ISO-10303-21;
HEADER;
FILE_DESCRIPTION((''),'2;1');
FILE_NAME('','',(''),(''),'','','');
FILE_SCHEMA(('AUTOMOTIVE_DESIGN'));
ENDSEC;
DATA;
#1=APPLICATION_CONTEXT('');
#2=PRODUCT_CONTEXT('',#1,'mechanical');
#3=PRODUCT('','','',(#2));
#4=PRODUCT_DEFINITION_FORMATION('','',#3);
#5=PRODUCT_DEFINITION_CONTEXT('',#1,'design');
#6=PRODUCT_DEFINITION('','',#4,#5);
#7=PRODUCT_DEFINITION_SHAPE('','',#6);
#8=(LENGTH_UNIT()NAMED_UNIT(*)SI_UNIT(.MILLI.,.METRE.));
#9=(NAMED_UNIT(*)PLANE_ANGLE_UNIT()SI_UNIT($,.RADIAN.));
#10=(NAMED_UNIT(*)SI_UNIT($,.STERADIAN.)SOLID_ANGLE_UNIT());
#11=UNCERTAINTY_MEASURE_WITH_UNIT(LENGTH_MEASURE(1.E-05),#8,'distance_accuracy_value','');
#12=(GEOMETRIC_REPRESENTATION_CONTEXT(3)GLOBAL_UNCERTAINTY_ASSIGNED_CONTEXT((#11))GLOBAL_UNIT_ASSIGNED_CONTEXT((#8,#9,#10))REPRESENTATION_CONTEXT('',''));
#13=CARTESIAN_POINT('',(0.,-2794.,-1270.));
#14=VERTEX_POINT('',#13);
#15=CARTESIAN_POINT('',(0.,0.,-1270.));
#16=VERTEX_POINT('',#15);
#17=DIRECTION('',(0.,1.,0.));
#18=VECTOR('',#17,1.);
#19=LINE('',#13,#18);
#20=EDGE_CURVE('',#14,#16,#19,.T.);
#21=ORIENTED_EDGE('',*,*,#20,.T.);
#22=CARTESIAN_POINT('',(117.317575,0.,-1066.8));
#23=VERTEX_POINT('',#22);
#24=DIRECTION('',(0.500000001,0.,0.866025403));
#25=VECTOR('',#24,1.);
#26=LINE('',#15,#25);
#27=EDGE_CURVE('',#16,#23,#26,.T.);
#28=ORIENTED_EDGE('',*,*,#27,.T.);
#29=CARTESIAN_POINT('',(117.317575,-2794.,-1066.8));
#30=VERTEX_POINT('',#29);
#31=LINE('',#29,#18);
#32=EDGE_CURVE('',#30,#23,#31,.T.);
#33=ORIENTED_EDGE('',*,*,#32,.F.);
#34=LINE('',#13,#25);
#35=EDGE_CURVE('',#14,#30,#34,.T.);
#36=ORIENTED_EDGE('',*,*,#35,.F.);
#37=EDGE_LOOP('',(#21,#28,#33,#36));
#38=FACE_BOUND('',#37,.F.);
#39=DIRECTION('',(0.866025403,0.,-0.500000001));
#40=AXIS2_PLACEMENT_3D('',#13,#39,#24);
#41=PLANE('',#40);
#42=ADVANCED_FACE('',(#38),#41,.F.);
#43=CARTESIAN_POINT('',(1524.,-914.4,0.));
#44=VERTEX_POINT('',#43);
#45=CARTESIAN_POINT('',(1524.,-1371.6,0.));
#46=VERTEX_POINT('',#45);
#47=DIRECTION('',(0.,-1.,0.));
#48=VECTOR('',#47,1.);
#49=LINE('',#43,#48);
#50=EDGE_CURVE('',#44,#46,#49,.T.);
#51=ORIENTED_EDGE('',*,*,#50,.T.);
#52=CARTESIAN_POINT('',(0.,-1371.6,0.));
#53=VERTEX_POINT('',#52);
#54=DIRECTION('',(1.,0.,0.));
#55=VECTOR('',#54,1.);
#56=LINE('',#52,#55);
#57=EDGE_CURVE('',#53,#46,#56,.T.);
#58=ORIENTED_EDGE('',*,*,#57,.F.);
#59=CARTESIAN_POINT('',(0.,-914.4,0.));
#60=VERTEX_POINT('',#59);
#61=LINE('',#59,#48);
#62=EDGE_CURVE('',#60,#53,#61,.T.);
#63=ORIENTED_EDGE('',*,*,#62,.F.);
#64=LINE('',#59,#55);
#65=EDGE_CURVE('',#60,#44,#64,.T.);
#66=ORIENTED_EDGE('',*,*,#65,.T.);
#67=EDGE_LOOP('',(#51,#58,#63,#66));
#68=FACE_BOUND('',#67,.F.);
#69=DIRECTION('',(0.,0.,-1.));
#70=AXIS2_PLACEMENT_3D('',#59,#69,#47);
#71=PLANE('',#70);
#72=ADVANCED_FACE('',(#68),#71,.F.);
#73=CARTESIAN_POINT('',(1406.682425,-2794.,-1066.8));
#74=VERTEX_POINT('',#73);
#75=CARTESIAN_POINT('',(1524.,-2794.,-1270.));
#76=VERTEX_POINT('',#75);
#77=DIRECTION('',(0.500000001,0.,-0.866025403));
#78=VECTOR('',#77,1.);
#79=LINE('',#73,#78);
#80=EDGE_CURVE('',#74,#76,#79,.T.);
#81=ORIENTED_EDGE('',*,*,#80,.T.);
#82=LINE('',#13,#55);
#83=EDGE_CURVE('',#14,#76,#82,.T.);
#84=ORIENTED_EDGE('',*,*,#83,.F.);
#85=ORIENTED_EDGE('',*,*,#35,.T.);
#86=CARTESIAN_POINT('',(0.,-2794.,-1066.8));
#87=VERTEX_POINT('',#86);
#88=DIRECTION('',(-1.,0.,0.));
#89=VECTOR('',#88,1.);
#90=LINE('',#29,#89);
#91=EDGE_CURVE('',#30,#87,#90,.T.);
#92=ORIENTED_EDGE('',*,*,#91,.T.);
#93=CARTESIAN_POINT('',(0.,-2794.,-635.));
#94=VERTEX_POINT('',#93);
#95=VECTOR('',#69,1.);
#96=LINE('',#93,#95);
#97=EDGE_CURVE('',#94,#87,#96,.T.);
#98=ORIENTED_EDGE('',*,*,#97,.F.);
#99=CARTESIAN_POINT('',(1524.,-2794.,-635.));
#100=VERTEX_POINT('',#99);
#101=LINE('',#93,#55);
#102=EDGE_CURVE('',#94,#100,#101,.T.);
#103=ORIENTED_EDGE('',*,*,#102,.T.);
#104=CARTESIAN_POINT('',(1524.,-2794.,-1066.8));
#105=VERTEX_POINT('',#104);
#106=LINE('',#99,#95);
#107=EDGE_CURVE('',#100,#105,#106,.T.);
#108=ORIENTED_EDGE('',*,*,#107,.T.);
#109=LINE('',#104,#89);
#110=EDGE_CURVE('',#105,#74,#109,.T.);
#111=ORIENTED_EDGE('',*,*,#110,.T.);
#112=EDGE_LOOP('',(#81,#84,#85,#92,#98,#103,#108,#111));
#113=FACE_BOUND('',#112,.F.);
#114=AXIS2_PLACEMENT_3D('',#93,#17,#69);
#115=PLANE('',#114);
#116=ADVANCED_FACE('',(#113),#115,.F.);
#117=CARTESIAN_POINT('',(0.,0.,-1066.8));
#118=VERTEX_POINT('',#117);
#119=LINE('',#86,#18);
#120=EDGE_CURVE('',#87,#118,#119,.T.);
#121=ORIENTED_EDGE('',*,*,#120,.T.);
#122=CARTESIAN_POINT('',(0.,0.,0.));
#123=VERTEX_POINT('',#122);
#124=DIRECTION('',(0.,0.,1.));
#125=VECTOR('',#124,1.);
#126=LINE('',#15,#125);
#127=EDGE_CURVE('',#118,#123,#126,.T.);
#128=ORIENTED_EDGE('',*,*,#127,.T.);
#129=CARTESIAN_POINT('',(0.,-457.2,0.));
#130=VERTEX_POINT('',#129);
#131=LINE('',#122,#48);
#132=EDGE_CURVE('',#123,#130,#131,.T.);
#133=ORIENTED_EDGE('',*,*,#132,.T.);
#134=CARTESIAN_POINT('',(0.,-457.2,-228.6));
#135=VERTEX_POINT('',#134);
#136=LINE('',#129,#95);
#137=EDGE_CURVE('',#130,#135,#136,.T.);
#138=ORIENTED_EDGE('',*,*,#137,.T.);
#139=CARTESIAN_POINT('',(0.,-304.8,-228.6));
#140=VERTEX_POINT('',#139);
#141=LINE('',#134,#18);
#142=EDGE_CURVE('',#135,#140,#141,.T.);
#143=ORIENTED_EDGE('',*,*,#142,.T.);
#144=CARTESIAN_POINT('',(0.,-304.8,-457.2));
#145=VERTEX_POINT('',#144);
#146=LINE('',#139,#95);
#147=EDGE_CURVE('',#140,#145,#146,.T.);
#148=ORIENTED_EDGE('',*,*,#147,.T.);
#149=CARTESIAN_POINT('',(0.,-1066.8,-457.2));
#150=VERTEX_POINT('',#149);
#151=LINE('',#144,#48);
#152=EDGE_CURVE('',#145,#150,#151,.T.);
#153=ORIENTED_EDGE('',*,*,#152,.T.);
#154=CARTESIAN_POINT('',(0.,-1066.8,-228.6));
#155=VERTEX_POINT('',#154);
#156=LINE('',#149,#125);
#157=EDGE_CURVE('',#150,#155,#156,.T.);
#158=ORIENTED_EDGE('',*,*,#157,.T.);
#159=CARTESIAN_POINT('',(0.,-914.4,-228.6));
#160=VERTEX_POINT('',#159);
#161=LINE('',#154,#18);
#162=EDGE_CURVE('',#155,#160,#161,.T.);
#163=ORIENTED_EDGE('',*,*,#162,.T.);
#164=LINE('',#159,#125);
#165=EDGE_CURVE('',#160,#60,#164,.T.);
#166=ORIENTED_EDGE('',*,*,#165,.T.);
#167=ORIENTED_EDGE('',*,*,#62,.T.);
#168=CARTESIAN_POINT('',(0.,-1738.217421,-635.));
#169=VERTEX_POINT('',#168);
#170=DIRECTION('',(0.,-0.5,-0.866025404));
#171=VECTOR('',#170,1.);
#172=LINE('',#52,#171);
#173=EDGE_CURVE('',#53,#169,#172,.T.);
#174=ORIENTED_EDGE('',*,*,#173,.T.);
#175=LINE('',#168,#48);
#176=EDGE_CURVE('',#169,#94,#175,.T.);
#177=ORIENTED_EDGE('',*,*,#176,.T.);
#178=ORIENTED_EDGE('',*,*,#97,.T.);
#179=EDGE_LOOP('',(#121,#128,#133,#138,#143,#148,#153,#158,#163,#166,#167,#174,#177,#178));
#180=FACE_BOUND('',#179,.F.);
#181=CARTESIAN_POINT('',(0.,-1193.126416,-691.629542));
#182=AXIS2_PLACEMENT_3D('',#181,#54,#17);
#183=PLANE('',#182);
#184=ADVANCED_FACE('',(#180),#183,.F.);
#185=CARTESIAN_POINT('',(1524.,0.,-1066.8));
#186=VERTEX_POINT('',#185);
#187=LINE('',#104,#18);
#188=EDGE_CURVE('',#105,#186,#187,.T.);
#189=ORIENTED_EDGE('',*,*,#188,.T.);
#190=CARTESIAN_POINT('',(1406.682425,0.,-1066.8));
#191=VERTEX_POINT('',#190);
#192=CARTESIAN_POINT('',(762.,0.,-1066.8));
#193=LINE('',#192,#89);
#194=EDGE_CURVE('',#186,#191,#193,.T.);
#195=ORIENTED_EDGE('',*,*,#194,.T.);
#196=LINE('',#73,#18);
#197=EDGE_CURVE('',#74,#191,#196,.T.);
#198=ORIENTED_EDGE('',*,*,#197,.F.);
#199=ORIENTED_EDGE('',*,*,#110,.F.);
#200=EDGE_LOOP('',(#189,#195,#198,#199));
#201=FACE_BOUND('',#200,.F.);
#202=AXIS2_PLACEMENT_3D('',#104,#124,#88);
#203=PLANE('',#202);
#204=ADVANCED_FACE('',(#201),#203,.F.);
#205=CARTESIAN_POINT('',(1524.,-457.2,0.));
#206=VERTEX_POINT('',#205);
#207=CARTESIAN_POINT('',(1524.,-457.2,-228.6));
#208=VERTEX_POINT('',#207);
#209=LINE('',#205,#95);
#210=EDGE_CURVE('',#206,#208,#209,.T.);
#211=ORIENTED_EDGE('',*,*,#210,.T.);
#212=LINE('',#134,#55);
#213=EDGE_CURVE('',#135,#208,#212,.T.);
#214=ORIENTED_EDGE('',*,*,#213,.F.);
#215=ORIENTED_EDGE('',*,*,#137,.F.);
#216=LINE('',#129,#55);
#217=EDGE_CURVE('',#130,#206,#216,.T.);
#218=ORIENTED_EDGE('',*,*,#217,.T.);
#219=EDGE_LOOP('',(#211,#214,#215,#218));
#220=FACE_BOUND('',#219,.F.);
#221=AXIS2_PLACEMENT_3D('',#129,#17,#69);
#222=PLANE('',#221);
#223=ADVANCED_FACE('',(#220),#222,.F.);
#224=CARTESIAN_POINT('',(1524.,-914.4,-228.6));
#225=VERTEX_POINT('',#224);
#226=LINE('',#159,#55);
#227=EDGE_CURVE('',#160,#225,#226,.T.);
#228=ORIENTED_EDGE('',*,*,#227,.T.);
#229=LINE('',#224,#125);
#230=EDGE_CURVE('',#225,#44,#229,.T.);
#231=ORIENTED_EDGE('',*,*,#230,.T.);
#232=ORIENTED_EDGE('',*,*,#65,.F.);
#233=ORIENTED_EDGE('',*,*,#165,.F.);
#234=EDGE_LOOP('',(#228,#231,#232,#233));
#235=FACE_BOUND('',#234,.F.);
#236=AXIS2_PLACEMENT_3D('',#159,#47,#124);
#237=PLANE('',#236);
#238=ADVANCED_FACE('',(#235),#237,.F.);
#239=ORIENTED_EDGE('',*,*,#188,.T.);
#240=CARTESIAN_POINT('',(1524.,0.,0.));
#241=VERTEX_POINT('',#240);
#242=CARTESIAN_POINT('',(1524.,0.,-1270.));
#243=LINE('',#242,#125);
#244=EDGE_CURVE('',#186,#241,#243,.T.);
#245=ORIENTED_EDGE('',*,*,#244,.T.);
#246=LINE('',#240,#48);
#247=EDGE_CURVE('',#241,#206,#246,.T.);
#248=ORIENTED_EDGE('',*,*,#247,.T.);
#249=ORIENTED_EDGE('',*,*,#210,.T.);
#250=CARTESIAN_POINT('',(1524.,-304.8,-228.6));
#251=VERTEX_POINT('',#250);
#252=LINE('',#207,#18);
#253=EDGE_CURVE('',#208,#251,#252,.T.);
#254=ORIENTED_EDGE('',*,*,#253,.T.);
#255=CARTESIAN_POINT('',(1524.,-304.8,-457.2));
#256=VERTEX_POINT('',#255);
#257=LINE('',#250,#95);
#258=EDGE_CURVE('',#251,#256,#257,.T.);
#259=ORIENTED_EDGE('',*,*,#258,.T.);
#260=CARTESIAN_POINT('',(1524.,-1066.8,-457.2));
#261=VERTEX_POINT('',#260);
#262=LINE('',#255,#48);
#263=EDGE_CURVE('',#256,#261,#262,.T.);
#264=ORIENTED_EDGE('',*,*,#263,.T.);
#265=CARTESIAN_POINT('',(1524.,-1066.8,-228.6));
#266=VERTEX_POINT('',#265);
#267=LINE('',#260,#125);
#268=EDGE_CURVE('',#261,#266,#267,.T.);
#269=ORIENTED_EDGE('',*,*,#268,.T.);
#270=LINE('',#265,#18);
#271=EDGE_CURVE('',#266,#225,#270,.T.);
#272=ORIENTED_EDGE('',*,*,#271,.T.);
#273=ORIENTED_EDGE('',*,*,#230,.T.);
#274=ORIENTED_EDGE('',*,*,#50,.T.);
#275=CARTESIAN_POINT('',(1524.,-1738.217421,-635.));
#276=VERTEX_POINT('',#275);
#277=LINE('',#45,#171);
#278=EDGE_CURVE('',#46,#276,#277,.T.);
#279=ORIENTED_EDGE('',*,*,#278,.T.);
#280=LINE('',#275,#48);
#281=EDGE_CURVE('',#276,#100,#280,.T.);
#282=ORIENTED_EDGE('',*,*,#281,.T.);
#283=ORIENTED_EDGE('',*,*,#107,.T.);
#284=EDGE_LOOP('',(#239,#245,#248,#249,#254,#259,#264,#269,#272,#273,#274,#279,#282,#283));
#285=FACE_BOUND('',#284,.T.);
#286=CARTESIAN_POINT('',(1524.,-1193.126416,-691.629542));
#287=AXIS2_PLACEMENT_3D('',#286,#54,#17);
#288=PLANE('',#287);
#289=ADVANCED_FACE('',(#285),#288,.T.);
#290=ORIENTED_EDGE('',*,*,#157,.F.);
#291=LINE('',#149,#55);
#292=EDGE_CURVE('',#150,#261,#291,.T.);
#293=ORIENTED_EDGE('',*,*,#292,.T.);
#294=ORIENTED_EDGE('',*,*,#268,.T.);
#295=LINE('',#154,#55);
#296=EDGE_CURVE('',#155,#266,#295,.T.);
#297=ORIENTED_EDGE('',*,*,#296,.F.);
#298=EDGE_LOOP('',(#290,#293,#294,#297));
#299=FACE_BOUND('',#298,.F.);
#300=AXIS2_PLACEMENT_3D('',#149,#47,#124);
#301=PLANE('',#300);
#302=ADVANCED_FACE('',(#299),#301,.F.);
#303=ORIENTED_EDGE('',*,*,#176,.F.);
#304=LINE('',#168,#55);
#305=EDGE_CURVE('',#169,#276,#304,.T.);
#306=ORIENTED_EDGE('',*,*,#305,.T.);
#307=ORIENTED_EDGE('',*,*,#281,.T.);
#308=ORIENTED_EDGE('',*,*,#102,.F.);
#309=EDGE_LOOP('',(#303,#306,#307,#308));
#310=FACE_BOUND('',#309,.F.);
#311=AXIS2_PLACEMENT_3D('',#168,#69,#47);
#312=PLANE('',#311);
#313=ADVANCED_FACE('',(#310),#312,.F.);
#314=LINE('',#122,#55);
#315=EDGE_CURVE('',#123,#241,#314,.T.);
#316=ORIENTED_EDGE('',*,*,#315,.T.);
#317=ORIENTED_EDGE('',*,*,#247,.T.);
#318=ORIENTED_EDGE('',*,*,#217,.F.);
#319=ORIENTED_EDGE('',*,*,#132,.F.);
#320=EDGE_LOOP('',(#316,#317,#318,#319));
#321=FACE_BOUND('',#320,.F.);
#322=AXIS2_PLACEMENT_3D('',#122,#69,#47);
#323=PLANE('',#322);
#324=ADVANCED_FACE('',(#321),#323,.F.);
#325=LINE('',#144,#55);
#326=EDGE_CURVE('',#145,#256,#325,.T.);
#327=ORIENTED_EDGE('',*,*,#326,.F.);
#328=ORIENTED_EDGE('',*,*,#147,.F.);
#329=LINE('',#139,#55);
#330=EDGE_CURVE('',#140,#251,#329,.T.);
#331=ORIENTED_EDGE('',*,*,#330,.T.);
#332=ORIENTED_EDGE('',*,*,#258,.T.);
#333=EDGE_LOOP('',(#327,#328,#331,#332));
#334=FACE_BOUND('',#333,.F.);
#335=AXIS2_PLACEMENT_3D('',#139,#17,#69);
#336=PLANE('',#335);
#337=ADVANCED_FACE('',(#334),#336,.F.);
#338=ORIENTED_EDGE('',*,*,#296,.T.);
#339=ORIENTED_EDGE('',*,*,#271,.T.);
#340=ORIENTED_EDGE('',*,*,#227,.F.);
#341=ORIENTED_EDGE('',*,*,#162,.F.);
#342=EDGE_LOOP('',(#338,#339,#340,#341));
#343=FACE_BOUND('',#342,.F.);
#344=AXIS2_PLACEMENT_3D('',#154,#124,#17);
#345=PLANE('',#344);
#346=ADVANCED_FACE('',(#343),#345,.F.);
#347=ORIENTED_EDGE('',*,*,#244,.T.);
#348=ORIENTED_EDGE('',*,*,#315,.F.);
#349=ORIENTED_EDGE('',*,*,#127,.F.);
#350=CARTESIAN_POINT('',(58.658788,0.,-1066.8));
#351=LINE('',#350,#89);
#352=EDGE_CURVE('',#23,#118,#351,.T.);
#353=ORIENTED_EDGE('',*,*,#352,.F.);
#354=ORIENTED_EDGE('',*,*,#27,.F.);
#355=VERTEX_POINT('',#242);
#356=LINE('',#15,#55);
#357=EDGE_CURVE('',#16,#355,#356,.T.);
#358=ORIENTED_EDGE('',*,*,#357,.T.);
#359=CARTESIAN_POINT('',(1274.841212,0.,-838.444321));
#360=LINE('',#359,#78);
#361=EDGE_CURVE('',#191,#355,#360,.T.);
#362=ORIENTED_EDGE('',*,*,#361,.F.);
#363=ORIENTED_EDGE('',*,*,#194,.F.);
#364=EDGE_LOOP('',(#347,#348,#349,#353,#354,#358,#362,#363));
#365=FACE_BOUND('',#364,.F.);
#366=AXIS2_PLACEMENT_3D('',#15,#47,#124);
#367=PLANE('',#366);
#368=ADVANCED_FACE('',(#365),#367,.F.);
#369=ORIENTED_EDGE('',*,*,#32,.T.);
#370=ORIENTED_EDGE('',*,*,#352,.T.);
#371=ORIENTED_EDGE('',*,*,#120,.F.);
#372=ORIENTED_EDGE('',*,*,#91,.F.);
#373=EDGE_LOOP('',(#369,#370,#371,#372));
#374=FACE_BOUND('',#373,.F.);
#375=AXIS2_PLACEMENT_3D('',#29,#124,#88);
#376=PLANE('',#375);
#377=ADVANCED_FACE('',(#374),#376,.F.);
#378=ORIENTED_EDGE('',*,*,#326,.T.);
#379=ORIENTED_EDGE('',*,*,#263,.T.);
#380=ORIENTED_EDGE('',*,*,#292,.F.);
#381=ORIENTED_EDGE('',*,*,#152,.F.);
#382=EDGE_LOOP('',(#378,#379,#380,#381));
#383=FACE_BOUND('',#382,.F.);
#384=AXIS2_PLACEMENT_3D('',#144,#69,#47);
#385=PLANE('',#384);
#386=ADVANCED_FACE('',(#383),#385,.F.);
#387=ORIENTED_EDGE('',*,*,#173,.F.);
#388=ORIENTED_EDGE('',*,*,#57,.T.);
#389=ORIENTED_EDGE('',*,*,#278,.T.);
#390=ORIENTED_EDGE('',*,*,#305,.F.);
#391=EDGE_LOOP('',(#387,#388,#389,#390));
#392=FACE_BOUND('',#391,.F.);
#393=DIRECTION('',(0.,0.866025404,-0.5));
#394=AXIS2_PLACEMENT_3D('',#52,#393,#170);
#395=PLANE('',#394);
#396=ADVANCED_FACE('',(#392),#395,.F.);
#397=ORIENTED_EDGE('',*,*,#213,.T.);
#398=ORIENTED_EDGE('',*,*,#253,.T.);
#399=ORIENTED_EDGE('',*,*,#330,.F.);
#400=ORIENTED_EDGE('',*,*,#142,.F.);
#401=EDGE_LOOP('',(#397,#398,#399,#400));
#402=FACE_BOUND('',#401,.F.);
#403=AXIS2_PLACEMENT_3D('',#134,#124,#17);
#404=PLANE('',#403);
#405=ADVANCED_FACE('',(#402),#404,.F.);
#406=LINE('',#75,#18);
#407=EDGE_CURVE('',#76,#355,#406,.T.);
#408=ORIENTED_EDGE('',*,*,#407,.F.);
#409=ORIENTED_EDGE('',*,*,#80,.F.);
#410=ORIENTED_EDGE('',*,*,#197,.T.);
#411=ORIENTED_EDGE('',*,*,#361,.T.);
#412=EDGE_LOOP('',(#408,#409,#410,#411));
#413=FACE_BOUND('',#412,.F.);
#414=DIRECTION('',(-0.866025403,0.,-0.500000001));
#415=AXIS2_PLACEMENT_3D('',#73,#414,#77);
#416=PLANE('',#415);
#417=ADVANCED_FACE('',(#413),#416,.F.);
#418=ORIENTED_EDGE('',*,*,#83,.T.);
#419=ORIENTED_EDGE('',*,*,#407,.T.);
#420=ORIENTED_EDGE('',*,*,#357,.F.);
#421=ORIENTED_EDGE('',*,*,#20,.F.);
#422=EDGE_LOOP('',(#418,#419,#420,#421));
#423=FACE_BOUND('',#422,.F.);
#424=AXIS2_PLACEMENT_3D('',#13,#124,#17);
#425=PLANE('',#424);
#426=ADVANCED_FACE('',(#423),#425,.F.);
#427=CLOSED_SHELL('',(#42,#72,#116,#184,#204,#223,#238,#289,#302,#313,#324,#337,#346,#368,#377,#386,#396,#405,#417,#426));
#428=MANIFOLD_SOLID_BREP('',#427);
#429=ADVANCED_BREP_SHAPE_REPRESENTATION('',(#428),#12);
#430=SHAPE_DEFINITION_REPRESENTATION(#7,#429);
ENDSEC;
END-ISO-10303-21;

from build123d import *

# Parameters (mm, degrees)
F1_DEPTH = 1524
F3_DEPTH = 2794.001


with BuildPart() as f1:
    # F0 (on Right) → F1 (new body)
    with BuildSketch(Plane.YZ):
        Polygon((0, -1270), (0, 0), (-457.2, 0), (-457.2, -228.6), (-304.8, -228.6), (-304.8, -457.2), (-1066.8, -457.2), (-1066.8, -228.6), (-914.4, -228.6), (-914.4, 0), (-1371.6, 0), (-1738.217421, -635), (-2794, -635), (-2794, -1270), align=None)
    extrude(amount=F1_DEPTH)

    # F2 (on face) → F3 (cut, through all)
    with BuildSketch(Plane.XZ.offset(2794)):
        Polygon((0, -1066.8), (0, -1270), (117.317575, -1066.8), align=None)
        Polygon((1406.682425, -1066.8), (1524, -1270), (1524, -1066.8), align=None)
    extrude(amount=-F3_DEPTH, mode=Mode.SUBTRACT)


solid = f1.part
